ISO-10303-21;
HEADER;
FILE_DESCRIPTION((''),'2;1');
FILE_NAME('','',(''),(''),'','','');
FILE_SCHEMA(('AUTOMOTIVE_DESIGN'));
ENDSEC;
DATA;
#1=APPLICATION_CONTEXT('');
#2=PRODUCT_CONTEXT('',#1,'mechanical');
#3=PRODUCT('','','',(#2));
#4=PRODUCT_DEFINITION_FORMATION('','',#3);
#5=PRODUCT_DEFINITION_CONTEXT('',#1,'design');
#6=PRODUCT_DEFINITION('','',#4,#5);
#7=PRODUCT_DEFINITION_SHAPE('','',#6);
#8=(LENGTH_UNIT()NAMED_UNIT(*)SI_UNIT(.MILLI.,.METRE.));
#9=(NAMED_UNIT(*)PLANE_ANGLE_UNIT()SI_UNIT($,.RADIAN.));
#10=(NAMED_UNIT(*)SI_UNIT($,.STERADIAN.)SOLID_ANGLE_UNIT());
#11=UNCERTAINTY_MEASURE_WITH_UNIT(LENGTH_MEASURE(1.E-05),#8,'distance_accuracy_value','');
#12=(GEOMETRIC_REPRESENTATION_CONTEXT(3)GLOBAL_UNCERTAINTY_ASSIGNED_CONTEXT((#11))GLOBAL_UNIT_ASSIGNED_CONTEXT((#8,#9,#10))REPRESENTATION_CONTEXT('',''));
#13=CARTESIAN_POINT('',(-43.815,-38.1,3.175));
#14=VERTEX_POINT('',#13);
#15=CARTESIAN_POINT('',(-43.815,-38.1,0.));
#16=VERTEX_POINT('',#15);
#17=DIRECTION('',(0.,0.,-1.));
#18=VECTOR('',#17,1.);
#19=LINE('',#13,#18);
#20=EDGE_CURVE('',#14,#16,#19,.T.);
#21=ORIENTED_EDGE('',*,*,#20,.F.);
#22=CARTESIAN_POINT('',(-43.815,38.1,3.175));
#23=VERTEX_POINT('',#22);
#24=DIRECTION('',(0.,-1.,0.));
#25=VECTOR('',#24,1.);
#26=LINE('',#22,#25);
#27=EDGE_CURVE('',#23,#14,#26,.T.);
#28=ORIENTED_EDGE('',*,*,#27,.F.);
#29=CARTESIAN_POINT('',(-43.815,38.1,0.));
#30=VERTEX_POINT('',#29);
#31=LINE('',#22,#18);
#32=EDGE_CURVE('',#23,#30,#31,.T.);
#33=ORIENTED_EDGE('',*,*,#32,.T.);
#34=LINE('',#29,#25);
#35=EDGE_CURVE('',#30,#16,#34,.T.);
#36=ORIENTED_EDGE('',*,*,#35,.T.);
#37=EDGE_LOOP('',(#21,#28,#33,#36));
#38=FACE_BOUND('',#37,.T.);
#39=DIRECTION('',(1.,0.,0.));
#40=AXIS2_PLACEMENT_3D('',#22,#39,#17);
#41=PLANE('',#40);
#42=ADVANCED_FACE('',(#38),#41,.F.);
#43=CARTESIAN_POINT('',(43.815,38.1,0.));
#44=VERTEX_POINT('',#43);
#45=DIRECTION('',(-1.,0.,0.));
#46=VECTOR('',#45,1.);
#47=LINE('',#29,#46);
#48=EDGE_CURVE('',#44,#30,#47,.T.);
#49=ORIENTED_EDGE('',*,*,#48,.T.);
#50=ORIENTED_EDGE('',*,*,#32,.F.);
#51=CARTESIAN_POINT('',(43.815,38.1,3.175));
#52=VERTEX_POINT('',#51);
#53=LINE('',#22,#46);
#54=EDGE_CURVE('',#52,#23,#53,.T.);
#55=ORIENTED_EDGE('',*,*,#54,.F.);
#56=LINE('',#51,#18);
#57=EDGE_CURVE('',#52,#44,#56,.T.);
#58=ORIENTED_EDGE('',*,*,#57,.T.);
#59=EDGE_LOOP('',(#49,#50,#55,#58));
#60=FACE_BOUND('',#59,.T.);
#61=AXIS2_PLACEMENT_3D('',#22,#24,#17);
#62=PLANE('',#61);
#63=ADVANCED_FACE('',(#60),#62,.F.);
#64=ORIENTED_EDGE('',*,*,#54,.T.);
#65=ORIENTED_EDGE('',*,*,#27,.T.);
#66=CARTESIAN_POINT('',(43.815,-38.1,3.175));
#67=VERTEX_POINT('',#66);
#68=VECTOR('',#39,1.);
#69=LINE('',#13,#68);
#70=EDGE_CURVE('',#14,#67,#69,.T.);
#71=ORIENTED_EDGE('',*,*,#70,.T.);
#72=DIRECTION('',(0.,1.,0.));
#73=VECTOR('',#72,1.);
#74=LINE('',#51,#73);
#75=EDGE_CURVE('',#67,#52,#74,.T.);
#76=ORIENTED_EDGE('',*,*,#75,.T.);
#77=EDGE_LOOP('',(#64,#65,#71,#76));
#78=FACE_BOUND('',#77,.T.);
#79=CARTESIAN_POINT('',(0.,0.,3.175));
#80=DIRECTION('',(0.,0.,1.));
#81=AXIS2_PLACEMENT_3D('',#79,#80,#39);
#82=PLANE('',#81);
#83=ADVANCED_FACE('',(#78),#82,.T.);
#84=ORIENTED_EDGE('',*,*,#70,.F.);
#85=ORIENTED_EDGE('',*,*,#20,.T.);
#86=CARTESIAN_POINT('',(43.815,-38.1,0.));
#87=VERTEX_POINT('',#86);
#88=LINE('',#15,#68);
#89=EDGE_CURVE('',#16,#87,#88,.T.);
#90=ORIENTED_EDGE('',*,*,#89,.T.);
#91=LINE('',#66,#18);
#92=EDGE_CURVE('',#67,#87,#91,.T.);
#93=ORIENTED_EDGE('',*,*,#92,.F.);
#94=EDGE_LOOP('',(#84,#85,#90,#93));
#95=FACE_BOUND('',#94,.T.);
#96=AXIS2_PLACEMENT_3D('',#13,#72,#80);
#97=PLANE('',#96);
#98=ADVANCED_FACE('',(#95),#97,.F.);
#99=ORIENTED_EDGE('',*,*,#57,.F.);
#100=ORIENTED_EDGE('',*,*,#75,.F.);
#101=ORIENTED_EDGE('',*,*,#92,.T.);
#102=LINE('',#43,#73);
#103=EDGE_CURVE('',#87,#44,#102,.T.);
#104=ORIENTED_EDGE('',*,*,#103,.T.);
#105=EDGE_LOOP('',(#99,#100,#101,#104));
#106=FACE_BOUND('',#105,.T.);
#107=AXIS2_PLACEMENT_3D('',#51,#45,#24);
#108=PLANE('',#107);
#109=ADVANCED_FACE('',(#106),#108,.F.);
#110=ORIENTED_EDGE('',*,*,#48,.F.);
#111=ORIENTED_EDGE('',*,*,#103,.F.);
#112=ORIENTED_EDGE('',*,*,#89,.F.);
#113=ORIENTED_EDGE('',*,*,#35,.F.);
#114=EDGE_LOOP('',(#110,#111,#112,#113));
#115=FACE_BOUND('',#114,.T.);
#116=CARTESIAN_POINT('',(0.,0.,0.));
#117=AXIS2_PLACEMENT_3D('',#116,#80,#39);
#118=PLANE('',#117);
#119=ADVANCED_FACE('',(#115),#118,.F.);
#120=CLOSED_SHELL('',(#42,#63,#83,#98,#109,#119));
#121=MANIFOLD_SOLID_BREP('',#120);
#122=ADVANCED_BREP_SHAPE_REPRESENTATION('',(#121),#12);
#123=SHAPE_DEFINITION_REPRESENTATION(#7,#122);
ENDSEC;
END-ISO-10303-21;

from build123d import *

# Parameters (mm, degrees)
SKETCH1_W           = 87.63
SKETCH1_H           = 76.2
BOSS_EXTRUDE1_DEPTH = 3.175


with BuildPart() as part:
    # Sketch1 → Boss-Extrude1 (new body)
    with BuildSketch(Plane.XY):
        Rectangle(SKETCH1_W, SKETCH1_H)
    extrude(amount=BOSS_EXTRUDE1_DEPTH)


solid = part.part
